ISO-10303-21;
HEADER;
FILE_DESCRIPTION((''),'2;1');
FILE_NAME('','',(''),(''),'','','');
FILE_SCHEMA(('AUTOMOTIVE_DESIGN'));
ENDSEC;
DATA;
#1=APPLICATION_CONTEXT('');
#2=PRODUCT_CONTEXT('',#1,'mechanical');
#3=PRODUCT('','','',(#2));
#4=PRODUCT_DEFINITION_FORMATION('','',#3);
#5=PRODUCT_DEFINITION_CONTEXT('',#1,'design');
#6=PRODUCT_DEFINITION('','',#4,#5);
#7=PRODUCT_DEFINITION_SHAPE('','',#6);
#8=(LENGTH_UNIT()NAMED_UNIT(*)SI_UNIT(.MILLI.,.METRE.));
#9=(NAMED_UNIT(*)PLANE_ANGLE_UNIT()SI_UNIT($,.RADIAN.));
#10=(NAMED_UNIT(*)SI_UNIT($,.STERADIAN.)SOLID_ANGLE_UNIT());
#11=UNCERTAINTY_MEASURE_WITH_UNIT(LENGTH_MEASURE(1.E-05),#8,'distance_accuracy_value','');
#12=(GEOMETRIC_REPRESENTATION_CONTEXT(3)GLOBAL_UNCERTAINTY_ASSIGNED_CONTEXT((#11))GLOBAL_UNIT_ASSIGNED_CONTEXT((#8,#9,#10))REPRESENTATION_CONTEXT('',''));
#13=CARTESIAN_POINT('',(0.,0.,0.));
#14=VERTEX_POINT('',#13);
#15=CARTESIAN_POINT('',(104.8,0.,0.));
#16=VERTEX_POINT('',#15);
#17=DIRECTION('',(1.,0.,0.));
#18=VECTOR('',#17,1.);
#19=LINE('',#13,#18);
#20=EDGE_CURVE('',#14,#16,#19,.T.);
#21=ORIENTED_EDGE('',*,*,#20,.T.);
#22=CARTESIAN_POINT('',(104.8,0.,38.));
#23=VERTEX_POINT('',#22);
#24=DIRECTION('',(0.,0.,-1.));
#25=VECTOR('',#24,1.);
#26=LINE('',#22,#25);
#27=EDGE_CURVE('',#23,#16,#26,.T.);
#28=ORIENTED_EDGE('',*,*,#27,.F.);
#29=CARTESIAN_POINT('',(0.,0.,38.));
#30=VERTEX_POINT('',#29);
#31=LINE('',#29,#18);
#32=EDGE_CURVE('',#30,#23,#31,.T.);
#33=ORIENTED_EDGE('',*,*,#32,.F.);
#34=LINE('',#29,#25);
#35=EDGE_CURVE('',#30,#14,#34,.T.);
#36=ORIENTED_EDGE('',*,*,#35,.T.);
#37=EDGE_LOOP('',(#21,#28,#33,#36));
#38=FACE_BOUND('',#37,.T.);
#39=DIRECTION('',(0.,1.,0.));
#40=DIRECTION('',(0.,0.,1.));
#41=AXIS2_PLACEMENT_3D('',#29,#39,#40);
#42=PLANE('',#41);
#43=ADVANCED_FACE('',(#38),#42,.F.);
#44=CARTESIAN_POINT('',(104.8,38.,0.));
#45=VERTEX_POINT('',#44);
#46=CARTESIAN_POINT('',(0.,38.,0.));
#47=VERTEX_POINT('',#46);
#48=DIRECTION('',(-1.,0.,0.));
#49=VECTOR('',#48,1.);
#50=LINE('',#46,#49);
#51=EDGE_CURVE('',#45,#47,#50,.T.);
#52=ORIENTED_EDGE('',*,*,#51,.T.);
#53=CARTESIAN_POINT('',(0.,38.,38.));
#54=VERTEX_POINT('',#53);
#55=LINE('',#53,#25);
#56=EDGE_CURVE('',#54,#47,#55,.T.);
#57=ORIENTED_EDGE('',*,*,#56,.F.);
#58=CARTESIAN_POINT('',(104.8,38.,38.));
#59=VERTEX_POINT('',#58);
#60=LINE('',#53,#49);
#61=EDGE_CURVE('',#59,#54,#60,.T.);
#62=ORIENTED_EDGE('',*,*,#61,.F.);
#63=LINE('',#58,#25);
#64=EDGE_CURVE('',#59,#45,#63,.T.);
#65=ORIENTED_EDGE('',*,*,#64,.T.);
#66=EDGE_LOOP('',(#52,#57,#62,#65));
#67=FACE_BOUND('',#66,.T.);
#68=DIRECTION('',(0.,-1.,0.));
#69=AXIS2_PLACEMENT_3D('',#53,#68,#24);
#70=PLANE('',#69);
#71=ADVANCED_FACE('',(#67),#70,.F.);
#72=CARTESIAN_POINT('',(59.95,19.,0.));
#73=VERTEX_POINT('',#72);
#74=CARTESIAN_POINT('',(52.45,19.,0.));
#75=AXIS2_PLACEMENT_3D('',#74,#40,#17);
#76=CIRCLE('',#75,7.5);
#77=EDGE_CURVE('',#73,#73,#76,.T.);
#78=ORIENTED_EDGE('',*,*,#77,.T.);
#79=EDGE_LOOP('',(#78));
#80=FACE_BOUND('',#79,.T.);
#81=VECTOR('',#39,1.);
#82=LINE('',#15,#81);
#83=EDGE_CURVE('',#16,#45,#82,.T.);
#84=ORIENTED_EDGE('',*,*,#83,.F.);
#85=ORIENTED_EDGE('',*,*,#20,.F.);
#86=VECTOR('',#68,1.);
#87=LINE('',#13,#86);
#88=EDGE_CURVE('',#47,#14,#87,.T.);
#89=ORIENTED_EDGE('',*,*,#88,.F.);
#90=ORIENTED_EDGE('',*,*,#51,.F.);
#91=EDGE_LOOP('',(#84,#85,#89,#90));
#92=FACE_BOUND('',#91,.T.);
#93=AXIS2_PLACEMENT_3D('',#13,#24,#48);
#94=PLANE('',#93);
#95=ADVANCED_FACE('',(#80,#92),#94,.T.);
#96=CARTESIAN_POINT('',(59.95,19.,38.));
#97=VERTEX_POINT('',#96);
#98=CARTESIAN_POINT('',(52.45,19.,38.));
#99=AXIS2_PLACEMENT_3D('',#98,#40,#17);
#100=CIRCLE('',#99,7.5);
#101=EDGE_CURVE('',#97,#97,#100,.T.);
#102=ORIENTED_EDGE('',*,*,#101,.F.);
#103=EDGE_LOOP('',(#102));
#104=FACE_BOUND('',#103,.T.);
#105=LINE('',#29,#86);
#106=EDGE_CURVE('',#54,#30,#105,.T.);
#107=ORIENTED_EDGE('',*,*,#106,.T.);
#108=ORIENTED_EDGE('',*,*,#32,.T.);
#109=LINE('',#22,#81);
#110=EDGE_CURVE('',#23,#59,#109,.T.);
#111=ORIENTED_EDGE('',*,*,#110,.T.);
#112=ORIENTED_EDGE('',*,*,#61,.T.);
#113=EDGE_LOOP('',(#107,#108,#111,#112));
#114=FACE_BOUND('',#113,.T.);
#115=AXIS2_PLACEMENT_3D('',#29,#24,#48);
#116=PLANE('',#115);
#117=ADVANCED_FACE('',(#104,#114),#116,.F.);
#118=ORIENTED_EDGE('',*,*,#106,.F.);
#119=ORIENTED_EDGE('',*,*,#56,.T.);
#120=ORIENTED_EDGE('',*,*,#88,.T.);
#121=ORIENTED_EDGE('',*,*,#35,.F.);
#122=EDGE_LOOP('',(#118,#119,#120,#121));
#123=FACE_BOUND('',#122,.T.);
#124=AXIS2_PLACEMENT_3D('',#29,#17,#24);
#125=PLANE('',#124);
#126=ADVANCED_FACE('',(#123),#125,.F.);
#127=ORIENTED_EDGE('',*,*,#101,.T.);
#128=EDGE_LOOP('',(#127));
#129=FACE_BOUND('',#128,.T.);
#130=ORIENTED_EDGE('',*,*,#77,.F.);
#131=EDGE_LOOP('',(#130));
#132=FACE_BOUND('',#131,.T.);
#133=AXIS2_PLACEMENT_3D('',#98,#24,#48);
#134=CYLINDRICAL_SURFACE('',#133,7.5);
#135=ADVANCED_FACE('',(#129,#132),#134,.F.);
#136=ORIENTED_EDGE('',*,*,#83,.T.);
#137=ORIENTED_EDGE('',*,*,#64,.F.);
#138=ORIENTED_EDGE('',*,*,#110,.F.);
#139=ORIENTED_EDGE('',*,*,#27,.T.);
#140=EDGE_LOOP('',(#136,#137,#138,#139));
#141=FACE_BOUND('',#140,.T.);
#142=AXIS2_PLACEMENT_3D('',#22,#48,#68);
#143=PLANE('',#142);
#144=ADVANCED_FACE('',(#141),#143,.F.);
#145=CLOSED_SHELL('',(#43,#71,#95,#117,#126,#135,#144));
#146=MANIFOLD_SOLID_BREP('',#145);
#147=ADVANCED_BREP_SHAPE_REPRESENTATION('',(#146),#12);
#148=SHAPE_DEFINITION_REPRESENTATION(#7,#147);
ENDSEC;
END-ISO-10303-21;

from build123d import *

# Parameters (mm, degrees)
SKETCH1_W           = 104.8
SKETCH1_H           = 38
SKETCH1_R           = 7.5
BOSS_EXTRUDE1_DEPTH = 38


with BuildPart() as part:
    # Sketch1 → Boss-Extrude1 (new body)
    with BuildSketch(Plane.XY):
        with Locations((52.4, 19)):
            Rectangle(SKETCH1_W, SKETCH1_H)
        with Locations((52.45, 19)):
            Circle(SKETCH1_R, mode=Mode.SUBTRACT)
    extrude(amount=BOSS_EXTRUDE1_DEPTH)


solid = part.part
